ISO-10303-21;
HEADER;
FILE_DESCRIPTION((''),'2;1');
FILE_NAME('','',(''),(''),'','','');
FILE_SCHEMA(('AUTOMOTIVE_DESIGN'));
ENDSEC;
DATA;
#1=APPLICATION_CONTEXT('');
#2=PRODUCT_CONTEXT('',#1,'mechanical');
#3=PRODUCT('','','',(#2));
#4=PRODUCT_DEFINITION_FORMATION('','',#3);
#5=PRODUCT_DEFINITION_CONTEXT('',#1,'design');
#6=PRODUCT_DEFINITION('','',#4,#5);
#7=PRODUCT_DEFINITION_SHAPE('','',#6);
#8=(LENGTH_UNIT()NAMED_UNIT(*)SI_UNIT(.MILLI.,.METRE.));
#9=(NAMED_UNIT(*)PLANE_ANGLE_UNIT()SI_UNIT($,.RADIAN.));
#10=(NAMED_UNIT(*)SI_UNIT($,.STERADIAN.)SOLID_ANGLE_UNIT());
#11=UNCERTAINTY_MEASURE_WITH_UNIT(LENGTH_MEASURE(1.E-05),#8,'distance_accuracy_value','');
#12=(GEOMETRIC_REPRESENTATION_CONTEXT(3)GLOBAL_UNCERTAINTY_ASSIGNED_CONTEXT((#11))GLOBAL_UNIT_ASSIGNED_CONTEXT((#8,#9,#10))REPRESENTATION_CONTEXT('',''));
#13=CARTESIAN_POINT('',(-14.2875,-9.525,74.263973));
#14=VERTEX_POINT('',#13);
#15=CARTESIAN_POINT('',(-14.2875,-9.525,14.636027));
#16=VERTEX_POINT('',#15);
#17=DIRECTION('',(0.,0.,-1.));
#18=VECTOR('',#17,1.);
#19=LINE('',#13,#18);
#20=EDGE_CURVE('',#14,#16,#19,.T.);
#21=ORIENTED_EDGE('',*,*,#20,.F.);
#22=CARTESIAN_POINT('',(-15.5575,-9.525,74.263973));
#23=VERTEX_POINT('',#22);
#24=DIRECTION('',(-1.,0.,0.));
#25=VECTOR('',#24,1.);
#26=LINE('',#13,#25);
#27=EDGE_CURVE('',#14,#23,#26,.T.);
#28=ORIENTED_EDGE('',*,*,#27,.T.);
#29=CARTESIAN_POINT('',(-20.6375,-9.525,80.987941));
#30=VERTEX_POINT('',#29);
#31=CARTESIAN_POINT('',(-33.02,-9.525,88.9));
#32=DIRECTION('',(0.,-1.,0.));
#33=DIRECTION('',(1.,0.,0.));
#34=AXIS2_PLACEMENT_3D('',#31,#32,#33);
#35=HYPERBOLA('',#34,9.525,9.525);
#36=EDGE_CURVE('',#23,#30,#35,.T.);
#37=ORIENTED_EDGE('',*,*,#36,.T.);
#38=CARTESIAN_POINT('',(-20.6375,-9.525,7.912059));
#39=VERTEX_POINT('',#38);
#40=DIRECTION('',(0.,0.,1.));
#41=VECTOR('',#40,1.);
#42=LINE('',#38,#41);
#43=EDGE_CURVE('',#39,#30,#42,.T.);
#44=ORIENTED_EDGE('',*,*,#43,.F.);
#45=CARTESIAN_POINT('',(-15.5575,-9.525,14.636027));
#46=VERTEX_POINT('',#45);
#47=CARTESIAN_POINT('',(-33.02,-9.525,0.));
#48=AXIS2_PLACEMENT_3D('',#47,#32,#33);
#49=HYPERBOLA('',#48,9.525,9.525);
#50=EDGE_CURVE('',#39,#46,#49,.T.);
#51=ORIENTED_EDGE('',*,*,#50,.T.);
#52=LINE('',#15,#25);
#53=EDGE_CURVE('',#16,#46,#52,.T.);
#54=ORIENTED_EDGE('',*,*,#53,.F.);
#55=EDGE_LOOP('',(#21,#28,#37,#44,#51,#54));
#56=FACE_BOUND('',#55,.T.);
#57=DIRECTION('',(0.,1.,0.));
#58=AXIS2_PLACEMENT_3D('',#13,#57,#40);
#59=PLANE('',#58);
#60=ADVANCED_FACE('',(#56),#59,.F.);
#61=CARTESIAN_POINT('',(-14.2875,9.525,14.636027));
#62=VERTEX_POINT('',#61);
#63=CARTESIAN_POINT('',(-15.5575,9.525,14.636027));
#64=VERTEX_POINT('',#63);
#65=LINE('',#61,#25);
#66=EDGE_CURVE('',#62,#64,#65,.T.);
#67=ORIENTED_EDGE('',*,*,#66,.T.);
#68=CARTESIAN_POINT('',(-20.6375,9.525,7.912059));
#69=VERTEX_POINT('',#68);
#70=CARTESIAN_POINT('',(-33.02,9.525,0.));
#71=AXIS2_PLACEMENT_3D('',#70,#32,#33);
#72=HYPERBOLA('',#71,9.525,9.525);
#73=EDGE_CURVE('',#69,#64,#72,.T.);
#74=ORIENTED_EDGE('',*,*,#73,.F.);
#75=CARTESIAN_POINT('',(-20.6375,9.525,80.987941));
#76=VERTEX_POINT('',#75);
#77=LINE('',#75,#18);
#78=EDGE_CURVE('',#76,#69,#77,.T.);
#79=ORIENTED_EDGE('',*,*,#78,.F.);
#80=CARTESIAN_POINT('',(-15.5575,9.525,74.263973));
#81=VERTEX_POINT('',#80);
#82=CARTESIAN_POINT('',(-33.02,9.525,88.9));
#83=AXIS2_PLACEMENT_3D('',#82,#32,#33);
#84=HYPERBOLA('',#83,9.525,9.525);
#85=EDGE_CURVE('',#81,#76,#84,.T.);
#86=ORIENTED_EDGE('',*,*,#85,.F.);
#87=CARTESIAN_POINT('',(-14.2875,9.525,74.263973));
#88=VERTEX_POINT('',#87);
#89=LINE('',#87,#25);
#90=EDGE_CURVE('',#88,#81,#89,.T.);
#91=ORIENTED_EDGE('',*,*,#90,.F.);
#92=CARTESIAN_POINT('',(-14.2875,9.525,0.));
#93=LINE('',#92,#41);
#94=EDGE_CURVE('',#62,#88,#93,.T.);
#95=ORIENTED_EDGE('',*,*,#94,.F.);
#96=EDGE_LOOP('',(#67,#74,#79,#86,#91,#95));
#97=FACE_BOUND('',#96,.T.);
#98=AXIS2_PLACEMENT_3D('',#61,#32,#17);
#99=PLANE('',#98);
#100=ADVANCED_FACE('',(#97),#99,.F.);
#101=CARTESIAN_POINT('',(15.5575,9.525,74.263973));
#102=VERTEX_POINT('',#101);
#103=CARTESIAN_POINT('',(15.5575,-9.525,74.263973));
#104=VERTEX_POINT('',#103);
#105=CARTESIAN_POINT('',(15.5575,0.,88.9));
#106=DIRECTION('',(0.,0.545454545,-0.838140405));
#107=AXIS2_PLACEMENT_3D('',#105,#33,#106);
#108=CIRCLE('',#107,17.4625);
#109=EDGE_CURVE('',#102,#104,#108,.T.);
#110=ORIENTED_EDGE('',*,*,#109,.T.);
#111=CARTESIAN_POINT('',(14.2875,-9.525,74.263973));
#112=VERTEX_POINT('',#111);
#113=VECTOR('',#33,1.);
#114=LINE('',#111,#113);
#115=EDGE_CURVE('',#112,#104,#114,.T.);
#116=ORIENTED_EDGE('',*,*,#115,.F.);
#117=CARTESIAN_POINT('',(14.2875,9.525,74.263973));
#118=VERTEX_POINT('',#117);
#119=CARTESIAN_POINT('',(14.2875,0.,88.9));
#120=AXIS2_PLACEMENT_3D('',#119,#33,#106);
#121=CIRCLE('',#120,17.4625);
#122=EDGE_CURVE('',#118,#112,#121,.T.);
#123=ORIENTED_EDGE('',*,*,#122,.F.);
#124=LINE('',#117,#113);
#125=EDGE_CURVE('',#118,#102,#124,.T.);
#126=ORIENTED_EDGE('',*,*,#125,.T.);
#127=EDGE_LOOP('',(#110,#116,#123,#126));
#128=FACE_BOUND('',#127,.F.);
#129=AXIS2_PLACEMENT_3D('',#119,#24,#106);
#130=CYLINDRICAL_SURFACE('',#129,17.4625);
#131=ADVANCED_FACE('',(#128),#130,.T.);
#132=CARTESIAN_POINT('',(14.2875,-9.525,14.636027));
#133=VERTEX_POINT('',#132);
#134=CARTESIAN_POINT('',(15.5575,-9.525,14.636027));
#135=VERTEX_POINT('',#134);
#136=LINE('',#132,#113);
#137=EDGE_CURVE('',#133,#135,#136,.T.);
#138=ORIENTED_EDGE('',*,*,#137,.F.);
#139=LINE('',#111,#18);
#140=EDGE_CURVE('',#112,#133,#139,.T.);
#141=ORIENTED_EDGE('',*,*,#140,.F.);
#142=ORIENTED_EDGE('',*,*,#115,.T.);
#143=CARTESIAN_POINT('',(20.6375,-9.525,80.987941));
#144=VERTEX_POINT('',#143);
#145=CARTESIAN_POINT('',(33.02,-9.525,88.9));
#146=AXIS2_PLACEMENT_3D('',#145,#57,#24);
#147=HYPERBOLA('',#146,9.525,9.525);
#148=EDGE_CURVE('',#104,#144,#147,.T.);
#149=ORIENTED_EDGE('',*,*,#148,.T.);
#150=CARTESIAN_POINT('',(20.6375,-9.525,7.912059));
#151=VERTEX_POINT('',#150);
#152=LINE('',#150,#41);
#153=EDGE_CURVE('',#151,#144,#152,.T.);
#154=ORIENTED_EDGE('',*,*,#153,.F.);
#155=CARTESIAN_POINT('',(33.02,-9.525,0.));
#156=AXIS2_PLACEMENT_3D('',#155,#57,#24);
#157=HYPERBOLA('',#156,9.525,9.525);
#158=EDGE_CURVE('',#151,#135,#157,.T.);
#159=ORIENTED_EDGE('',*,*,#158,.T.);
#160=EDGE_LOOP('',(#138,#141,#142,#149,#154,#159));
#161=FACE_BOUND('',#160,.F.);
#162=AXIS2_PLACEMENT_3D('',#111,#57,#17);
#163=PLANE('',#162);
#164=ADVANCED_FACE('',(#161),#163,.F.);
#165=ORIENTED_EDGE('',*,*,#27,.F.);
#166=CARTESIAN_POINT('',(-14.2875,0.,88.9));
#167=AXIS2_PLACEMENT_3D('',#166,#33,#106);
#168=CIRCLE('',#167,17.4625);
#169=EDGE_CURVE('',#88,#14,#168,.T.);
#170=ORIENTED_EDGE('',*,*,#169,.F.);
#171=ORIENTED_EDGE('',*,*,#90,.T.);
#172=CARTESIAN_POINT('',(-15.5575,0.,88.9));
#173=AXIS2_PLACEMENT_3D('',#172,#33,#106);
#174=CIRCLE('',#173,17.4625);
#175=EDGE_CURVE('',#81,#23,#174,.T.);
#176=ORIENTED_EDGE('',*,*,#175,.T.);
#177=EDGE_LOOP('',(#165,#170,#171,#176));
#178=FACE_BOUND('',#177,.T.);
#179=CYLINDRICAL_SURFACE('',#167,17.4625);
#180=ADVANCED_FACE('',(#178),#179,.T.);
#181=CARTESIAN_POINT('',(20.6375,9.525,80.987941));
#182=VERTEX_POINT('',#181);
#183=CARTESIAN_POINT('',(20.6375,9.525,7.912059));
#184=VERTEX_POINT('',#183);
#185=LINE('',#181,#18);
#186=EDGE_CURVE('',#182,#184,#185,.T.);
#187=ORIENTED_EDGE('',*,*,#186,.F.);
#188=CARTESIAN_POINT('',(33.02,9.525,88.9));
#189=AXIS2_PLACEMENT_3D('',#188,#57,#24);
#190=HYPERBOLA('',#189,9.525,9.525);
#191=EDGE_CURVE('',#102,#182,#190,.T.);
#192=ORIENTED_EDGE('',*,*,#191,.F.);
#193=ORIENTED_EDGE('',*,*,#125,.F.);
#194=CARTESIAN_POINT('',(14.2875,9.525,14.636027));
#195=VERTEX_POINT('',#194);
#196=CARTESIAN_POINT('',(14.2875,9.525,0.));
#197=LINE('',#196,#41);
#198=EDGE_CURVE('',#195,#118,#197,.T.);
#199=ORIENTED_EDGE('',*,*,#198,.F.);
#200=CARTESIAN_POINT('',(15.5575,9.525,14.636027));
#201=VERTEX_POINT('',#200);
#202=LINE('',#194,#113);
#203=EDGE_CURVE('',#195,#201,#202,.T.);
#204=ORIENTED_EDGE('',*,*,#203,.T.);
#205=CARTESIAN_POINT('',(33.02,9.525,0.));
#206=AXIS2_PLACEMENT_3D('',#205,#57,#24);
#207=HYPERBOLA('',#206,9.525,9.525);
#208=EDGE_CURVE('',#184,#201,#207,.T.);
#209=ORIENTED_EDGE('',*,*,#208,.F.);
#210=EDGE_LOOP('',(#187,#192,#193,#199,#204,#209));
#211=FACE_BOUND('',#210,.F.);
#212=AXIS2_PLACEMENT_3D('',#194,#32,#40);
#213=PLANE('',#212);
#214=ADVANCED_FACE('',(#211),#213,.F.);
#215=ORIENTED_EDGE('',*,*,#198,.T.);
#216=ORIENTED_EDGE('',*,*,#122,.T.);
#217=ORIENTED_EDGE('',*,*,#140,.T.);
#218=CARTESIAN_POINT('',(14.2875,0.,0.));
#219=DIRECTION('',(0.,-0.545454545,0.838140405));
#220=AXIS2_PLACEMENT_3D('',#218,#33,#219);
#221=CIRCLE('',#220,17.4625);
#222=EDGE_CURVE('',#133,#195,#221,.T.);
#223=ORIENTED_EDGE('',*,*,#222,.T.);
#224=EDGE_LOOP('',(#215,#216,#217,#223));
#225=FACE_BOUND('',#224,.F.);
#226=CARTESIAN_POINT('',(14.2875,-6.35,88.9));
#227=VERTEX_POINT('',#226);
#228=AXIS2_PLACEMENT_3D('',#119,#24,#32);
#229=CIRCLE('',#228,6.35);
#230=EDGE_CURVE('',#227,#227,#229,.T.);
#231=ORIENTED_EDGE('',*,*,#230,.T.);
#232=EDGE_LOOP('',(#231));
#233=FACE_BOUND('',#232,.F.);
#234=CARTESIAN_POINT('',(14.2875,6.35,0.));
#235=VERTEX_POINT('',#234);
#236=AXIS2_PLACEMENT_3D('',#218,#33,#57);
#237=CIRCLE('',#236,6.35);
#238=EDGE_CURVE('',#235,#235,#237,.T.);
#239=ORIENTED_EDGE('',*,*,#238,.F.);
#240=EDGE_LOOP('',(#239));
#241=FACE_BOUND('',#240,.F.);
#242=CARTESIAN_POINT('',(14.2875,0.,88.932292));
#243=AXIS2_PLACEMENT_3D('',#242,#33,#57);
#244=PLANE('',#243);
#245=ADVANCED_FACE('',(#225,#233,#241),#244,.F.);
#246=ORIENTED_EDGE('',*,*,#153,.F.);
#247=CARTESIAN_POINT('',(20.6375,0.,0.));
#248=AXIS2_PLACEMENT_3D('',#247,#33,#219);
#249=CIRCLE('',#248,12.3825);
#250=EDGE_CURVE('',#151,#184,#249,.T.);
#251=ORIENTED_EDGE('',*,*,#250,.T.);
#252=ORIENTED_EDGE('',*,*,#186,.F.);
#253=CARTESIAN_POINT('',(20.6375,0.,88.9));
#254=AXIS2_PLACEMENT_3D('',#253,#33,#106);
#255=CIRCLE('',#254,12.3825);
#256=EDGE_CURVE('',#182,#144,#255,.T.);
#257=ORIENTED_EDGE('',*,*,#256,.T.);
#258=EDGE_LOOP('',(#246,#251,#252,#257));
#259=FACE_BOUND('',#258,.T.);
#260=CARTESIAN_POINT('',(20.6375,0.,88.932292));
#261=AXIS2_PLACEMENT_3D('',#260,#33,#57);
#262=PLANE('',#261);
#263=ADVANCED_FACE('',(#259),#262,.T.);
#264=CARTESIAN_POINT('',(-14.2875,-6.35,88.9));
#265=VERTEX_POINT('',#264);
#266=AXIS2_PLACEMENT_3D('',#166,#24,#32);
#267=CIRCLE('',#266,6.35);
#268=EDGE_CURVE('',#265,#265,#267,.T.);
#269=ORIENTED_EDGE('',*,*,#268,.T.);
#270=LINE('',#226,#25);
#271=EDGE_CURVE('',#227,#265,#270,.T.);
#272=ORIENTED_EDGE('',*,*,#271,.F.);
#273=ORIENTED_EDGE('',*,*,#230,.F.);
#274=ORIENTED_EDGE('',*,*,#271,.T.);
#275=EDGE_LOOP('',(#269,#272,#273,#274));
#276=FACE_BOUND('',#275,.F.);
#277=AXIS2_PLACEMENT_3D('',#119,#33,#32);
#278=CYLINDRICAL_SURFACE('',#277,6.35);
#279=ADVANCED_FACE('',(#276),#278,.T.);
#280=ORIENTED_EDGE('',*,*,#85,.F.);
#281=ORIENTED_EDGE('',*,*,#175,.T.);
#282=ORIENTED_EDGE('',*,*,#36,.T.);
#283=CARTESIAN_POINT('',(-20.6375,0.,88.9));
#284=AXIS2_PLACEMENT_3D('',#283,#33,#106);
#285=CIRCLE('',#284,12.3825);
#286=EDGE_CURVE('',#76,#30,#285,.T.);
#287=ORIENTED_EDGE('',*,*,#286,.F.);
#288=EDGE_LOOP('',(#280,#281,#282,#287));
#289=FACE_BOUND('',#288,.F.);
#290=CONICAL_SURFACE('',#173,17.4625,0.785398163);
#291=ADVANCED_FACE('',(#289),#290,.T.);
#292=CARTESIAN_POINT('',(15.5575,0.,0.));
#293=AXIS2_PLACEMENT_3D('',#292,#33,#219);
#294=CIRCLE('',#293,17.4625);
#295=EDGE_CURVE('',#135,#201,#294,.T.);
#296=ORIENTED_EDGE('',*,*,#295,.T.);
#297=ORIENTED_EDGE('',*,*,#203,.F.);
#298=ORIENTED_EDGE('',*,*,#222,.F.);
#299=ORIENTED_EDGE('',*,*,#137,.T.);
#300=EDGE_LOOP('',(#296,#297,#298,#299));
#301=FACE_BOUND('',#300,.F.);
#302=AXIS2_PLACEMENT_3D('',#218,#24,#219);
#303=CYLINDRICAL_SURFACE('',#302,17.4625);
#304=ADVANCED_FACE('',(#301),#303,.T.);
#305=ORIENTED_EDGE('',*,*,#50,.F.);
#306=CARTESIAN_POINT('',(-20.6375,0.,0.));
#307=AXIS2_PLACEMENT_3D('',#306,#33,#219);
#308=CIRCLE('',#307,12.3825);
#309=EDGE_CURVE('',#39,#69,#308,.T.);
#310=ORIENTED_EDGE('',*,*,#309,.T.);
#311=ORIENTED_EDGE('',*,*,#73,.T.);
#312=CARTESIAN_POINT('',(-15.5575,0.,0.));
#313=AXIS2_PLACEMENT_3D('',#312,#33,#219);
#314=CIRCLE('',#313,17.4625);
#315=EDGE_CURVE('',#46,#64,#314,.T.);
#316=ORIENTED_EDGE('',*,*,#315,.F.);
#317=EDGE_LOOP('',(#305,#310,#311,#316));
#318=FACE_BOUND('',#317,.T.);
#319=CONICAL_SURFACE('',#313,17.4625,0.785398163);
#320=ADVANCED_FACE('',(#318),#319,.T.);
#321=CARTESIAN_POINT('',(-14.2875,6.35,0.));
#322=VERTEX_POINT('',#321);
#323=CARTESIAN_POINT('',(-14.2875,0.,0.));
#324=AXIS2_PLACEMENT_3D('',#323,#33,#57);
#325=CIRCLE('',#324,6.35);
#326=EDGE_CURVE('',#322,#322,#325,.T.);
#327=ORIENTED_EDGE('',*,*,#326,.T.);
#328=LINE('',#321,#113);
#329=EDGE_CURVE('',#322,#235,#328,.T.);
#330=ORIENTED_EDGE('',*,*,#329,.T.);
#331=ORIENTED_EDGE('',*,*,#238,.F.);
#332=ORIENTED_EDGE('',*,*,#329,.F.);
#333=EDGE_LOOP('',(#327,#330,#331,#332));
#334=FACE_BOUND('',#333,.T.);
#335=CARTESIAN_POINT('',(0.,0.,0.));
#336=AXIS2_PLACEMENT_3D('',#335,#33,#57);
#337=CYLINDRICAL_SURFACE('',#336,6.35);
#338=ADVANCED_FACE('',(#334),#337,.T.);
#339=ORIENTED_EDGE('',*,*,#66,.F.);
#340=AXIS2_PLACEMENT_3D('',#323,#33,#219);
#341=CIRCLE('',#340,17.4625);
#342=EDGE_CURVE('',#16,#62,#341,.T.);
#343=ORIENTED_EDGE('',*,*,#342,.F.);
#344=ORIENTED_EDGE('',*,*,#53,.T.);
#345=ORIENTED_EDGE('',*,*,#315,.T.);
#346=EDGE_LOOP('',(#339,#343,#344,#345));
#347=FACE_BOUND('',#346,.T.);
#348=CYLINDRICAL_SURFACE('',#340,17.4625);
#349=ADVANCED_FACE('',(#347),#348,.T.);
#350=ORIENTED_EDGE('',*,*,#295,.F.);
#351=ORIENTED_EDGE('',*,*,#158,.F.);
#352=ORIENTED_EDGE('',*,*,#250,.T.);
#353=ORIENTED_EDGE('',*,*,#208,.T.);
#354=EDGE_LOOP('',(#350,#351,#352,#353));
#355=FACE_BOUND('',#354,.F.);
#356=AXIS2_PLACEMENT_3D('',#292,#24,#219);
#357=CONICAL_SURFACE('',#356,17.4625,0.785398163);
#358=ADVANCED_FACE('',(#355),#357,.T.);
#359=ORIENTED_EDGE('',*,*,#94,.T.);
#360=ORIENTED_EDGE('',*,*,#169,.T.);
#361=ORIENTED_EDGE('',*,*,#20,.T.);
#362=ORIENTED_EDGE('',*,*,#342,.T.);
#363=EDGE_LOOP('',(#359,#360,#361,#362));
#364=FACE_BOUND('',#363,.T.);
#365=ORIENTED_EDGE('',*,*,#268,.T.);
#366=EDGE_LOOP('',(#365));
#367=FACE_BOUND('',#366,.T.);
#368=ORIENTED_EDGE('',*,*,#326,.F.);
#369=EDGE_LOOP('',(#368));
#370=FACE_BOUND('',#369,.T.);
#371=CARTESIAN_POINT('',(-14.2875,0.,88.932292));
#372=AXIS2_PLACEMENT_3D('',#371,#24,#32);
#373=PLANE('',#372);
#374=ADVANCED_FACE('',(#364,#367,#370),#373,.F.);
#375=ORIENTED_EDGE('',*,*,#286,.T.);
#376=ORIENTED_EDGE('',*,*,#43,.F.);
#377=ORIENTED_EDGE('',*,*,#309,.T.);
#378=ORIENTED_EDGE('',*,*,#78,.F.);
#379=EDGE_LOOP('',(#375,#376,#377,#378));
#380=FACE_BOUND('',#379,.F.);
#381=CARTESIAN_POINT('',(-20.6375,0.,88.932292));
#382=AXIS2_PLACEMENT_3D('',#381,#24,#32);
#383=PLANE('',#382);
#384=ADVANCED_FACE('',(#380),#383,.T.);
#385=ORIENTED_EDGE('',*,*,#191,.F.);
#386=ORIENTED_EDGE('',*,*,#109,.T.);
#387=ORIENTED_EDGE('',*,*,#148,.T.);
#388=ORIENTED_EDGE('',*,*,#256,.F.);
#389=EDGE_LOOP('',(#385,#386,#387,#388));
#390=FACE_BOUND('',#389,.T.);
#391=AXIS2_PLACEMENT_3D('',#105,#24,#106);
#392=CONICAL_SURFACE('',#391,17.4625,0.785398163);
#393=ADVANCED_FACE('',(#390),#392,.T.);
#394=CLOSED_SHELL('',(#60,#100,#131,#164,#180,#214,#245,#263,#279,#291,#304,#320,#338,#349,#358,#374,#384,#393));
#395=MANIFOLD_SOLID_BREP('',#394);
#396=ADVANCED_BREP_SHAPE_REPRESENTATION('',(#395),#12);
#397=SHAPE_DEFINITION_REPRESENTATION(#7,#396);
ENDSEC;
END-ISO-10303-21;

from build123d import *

# Parameters (mm, degrees)
F0_R     = 6.35
F1_DEPTH = 14.2875
F3_DEPTH = 6.35
F4_SIZE  = 5.08
F5_R     = 6.35
F6_DEPTH = 28.575


with BuildPart() as f1:
    # F0 (on Right) → F1 (new body, symmetric)
    with BuildSketch(Plane.YZ):
        Circle(F0_R)
    extrude(amount=F1_DEPTH, both=True)

    # F2 (on face) → F3 (join)
    with BuildSketch(Plane.YZ.offset(14.2875)):
        with BuildLine():
            Line((9.525, 88.9), (9.525, 74.263973174))
            ThreePointArc((9.525, 74.263973174), (15.3503944371, 80.5750797676), (17.4625, 88.9))
            ThreePointArc((17.4625, 88.9), (-8.3249202324, 104.2503944371), (-9.525, 74.263973174))
            Line((-9.525, 74.263973174), (-9.525, 88.9))
            Line((-9.525, 88.9), (9.525, 88.9))
        make_face()
        with BuildLine():
            ThreePointArc((-9.525, 74.263973174), (0, 71.4375), (9.525, 74.263973174))
            Line((9.525, 74.263973174), (9.525, 88.9))
            Line((9.525, 88.9), (-9.525, 88.9))
            Line((-9.525, 88.9), (-9.525, 74.263973174))
        make_face()
        with BuildLine():
            ThreePointArc((-9.525, 14.636026826), (0, 17.4625), (9.525, 14.636026826))
            Line((9.525, 14.636026826), (9.525, 74.263973174))
            ThreePointArc((9.525, 74.263973174), (0, 71.4375), (-9.525, 74.263973174))
            Line((-9.525, 74.263973174), (-9.525, 14.636026826))
        make_face()
        with BuildLine():
            Line((9.525, 0), (9.525, 14.636026826))
            ThreePointArc((9.525, 14.636026826), (0, 17.4625), (-9.525, 14.636026826))
            Line((-9.525, 14.636026826), (-9.525, 0))
            Line((-9.525, 0), (-6.35, 0))
            ThreePointArc((-6.35, 0), (0, 6.35), (6.35, 0))
            Line((6.35, 0), (9.525, 0))
        make_face()
        with BuildLine():
            ThreePointArc((-6.35, 0), (0, -6.35), (6.35, 0))
            Line((6.35, 0), (-6.35, 0))
        make_face()
        with BuildLine():
            ThreePointArc((-9.525, 14.636026826), (-8.3249202324, -15.3503944371), (17.4625, 0))
            ThreePointArc((17.4625, 0), (15.3503944371, 8.3249202324), (9.525, 14.636026826))
            Line((9.525, 14.636026826), (9.525, 0))
            Line((9.525, 0), (6.35, 0))
            ThreePointArc((6.35, 0), (0, -6.35), (-6.35, 0))
            Line((-6.35, 0), (-9.525, 0))
            Line((-9.525, 0), (-9.525, 14.636026826))
        make_face()
        with BuildLine():
            Line((-6.35, 0), (6.35, 0))
            ThreePointArc((6.35, 0), (0, 6.35), (-6.35, 0))
        make_face()
    extrude(amount=F3_DEPTH)

    # F4
    f4_edges = [f1.edges().sort_by_distance(p)[0] for p in [
        (20.6375, 0, 106.3625),
        (20.6375, 0, -17.4625),
    ]]
    chamfer(f4_edges, length=F4_SIZE)

    # F5 (on face) → F6 (join)
    with BuildSketch(Plane(origin=(14.2875, 0, 0), x_dir=(0, -1, 0), z_dir=(-1, 0, 0))):
        with Locations((0, 88.9)):
            Circle(F5_R)
    extrude(amount=F6_DEPTH)

    # F7: F1 across plane


with BuildPart() as f1_1:
    add(f1.part)
    add(f1.part.mirror(Plane.YZ))


solid = f1_1.part
